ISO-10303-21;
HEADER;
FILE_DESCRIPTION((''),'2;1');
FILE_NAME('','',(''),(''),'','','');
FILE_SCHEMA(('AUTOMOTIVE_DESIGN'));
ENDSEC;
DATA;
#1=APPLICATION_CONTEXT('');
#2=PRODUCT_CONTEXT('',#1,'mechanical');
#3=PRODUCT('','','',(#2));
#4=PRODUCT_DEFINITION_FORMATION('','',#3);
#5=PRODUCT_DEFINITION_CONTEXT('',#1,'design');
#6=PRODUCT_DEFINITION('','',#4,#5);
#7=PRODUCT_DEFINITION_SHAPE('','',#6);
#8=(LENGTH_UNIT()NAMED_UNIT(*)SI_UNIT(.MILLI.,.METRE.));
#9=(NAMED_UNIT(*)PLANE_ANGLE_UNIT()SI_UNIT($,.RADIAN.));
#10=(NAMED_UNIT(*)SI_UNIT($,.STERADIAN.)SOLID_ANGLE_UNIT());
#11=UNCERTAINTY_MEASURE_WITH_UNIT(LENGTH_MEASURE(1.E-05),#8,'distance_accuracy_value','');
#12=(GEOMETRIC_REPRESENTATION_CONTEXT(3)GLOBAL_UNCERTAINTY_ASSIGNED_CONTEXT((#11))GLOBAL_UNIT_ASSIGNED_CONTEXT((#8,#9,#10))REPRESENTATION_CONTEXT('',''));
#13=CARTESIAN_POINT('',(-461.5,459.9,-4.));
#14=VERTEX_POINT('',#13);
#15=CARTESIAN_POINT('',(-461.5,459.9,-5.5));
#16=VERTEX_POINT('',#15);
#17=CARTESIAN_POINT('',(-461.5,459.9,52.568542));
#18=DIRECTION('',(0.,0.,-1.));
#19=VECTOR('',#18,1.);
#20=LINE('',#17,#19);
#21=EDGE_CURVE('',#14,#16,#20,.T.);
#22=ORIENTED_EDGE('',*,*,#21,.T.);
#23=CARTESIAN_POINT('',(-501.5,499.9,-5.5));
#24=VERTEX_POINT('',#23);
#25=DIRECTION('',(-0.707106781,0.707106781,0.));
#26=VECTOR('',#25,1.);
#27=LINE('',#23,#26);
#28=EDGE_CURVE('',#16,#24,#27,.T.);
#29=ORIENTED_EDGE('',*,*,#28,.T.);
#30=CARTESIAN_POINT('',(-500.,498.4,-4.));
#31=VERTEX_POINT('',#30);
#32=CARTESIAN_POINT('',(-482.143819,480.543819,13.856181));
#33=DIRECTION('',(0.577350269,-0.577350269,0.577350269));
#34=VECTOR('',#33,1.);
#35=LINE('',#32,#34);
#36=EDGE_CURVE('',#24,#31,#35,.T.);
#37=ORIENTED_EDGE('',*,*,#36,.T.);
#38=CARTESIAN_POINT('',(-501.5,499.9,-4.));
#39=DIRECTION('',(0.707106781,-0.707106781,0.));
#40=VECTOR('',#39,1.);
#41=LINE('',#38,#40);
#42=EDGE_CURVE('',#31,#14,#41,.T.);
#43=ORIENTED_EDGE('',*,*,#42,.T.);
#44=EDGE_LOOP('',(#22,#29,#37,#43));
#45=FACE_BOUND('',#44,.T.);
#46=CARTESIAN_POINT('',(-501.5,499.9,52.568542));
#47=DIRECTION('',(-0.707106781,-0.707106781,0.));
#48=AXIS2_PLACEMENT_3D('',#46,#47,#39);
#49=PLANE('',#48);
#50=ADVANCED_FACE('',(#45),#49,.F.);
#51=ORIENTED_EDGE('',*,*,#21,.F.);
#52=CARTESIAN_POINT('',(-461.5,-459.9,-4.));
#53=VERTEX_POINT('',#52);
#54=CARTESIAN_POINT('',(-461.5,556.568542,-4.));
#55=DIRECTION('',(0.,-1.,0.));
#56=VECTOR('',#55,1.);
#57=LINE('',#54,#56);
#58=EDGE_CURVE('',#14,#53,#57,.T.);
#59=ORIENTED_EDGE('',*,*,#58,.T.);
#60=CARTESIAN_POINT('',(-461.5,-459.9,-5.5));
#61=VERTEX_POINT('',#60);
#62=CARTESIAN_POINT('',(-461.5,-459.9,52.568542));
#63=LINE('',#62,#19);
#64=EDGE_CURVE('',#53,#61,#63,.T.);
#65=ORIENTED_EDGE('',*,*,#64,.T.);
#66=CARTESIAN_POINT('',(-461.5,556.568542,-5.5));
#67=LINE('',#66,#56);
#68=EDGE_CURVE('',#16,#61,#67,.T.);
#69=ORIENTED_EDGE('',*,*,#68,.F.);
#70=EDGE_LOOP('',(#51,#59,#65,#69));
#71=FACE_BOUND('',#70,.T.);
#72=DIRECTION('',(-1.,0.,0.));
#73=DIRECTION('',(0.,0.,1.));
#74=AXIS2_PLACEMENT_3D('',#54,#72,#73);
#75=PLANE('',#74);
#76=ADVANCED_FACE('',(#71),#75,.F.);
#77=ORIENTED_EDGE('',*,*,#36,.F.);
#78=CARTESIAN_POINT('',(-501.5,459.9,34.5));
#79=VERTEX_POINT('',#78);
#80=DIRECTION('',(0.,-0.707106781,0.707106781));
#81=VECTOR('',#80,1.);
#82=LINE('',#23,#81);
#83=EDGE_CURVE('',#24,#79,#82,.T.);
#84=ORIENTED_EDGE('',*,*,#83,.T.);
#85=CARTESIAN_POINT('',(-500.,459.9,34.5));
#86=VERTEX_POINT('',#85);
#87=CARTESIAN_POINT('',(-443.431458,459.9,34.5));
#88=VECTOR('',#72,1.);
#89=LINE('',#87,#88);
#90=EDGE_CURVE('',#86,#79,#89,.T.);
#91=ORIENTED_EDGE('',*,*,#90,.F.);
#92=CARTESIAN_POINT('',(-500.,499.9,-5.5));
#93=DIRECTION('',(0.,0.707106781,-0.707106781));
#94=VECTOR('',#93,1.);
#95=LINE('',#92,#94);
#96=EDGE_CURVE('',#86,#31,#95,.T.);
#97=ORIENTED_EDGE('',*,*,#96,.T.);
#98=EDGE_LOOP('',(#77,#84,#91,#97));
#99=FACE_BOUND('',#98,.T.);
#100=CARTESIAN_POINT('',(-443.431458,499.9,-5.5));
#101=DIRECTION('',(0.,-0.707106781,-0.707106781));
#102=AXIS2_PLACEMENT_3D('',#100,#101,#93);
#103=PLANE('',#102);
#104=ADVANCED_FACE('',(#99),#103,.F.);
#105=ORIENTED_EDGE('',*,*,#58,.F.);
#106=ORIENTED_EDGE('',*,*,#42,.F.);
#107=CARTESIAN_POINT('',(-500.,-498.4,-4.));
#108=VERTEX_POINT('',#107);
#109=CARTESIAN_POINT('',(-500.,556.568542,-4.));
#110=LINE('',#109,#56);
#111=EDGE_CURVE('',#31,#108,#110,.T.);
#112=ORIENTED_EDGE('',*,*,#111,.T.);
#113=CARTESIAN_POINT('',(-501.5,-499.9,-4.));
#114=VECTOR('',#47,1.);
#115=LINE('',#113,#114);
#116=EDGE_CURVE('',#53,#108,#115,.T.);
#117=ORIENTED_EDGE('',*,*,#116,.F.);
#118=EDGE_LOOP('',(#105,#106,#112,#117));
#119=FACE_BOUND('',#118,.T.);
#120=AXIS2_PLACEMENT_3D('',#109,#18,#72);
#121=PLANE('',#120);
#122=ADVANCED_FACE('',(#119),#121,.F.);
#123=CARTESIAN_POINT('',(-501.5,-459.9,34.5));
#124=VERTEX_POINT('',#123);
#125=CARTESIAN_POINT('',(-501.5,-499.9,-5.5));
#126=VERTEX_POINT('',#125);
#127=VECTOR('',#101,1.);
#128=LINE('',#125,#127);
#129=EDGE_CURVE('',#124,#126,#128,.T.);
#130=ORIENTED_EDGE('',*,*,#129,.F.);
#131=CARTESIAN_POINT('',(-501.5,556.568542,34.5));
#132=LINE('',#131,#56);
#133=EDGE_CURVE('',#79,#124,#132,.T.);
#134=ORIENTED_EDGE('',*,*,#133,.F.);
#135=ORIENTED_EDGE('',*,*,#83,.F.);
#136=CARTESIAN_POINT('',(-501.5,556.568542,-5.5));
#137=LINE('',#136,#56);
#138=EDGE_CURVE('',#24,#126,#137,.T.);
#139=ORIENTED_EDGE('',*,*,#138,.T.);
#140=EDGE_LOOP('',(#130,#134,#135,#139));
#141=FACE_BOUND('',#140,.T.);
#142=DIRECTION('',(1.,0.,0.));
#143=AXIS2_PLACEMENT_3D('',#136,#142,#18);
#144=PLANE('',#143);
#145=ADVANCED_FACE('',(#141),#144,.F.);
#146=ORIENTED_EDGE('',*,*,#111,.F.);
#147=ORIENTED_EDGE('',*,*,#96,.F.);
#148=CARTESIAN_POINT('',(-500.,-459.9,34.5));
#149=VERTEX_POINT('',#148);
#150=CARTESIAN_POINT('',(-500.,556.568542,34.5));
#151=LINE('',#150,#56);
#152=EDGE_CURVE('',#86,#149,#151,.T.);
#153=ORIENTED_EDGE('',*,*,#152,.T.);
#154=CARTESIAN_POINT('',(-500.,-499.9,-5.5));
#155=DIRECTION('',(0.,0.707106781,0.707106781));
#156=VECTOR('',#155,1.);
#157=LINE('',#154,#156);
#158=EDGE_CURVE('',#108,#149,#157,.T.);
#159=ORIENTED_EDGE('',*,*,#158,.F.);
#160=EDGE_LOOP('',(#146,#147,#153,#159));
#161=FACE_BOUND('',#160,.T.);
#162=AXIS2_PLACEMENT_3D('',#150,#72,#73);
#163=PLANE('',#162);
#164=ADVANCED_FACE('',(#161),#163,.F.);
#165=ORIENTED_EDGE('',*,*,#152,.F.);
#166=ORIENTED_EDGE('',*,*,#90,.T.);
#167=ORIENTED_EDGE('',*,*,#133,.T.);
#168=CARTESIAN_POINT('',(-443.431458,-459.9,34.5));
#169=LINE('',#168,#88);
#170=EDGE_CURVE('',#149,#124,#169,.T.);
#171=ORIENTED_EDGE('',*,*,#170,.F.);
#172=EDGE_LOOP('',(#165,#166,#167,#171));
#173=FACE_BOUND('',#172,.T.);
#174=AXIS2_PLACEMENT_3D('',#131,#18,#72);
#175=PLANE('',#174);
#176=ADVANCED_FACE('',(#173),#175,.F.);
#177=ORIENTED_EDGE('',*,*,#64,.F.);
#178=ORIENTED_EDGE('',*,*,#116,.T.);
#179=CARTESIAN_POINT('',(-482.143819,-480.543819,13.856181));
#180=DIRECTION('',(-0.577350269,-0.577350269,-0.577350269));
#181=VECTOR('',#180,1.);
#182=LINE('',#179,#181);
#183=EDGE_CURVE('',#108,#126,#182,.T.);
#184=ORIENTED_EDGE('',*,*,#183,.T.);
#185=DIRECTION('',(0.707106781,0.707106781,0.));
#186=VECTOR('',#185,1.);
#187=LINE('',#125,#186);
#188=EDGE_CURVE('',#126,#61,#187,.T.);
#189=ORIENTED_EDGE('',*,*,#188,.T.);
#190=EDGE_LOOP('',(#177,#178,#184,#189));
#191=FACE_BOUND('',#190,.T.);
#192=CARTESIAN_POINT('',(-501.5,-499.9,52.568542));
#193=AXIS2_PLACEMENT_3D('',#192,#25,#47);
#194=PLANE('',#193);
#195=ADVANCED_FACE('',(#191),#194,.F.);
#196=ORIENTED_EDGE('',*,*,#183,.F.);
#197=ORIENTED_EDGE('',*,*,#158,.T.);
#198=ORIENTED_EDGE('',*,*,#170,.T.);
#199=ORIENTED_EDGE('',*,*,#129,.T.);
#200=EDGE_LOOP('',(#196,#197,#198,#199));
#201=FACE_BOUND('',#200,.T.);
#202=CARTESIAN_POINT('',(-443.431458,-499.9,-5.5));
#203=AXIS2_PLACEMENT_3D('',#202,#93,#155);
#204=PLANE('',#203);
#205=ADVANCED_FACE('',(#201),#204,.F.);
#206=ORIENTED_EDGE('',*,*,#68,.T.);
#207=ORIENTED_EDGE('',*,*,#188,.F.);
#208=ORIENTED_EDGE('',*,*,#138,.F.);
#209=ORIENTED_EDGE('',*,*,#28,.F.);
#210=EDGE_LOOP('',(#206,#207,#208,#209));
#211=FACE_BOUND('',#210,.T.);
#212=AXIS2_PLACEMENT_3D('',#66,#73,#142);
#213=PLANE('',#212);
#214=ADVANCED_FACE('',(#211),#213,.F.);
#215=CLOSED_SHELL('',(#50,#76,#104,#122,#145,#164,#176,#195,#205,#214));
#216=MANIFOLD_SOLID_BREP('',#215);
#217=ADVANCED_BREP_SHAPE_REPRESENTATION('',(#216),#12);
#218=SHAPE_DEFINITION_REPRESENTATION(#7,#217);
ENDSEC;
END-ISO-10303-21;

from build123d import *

# Parameters (mm, degrees)
AUFSATZ_LINEAR_AUSTRAGEN1_DEPTH      = 499.9
AUFSATZ_LINEAR_AUSTRAGEN1_DEPTH_BACK = 499.9
SCHNITT_LINEAR_AUSTRAGEN1_DEPTH      = 1.5
SCHNITT_LINEAR_AUSTRAGEN2_DEPTH      = 1.5


with BuildPart() as part:
    # Skizze1 → Aufsatz-Linear austragen1 (new, two sides: drawn at the far end of the back side and taken through both)
    with BuildSketch(Plane(origin=(0, 0, 0), x_dir=(1, 0, 0), z_dir=(0, 1, 0)).offset(-AUFSATZ_LINEAR_AUSTRAGEN1_DEPTH_BACK)):
        Polygon((-461.5, 4), (-461.5, 5.5), (-501.5, 5.5), (-501.5, -34.5), (-500, -34.5), (-500, 4), align=None)
    extrude(amount=AUFSATZ_LINEAR_AUSTRAGEN1_DEPTH + AUFSATZ_LINEAR_AUSTRAGEN1_DEPTH_BACK)

    # Skizze2 → Schnitt-Linear austragen1 (cut)
    with BuildSketch(Plane(origin=(0, 0, -5.5), x_dir=(-1, 0, 0), z_dir=(0, 0, -1))):
        Polygon((501.5, 499.9), (461.5, 459.9), (461.5, 499.9), align=None)
        Polygon((461.5, -459.9), (461.5, -499.9), (501.5, -499.9), align=None)
    extrude(amount=-SCHNITT_LINEAR_AUSTRAGEN1_DEPTH, mode=Mode.SUBTRACT)

    # Skizze3 → Schnitt-Linear austragen2 (cut)
    with BuildSketch(Plane.ZY.offset(501.5)):
        Polygon((34.5, 499.9), (-5.5, 499.9), (34.5, 459.9), align=None)
        Polygon((-5.5, -499.9), (34.5, -459.9), (34.5, -499.9), align=None)
    extrude(amount=-SCHNITT_LINEAR_AUSTRAGEN2_DEPTH, mode=Mode.SUBTRACT)


solid = part.part
